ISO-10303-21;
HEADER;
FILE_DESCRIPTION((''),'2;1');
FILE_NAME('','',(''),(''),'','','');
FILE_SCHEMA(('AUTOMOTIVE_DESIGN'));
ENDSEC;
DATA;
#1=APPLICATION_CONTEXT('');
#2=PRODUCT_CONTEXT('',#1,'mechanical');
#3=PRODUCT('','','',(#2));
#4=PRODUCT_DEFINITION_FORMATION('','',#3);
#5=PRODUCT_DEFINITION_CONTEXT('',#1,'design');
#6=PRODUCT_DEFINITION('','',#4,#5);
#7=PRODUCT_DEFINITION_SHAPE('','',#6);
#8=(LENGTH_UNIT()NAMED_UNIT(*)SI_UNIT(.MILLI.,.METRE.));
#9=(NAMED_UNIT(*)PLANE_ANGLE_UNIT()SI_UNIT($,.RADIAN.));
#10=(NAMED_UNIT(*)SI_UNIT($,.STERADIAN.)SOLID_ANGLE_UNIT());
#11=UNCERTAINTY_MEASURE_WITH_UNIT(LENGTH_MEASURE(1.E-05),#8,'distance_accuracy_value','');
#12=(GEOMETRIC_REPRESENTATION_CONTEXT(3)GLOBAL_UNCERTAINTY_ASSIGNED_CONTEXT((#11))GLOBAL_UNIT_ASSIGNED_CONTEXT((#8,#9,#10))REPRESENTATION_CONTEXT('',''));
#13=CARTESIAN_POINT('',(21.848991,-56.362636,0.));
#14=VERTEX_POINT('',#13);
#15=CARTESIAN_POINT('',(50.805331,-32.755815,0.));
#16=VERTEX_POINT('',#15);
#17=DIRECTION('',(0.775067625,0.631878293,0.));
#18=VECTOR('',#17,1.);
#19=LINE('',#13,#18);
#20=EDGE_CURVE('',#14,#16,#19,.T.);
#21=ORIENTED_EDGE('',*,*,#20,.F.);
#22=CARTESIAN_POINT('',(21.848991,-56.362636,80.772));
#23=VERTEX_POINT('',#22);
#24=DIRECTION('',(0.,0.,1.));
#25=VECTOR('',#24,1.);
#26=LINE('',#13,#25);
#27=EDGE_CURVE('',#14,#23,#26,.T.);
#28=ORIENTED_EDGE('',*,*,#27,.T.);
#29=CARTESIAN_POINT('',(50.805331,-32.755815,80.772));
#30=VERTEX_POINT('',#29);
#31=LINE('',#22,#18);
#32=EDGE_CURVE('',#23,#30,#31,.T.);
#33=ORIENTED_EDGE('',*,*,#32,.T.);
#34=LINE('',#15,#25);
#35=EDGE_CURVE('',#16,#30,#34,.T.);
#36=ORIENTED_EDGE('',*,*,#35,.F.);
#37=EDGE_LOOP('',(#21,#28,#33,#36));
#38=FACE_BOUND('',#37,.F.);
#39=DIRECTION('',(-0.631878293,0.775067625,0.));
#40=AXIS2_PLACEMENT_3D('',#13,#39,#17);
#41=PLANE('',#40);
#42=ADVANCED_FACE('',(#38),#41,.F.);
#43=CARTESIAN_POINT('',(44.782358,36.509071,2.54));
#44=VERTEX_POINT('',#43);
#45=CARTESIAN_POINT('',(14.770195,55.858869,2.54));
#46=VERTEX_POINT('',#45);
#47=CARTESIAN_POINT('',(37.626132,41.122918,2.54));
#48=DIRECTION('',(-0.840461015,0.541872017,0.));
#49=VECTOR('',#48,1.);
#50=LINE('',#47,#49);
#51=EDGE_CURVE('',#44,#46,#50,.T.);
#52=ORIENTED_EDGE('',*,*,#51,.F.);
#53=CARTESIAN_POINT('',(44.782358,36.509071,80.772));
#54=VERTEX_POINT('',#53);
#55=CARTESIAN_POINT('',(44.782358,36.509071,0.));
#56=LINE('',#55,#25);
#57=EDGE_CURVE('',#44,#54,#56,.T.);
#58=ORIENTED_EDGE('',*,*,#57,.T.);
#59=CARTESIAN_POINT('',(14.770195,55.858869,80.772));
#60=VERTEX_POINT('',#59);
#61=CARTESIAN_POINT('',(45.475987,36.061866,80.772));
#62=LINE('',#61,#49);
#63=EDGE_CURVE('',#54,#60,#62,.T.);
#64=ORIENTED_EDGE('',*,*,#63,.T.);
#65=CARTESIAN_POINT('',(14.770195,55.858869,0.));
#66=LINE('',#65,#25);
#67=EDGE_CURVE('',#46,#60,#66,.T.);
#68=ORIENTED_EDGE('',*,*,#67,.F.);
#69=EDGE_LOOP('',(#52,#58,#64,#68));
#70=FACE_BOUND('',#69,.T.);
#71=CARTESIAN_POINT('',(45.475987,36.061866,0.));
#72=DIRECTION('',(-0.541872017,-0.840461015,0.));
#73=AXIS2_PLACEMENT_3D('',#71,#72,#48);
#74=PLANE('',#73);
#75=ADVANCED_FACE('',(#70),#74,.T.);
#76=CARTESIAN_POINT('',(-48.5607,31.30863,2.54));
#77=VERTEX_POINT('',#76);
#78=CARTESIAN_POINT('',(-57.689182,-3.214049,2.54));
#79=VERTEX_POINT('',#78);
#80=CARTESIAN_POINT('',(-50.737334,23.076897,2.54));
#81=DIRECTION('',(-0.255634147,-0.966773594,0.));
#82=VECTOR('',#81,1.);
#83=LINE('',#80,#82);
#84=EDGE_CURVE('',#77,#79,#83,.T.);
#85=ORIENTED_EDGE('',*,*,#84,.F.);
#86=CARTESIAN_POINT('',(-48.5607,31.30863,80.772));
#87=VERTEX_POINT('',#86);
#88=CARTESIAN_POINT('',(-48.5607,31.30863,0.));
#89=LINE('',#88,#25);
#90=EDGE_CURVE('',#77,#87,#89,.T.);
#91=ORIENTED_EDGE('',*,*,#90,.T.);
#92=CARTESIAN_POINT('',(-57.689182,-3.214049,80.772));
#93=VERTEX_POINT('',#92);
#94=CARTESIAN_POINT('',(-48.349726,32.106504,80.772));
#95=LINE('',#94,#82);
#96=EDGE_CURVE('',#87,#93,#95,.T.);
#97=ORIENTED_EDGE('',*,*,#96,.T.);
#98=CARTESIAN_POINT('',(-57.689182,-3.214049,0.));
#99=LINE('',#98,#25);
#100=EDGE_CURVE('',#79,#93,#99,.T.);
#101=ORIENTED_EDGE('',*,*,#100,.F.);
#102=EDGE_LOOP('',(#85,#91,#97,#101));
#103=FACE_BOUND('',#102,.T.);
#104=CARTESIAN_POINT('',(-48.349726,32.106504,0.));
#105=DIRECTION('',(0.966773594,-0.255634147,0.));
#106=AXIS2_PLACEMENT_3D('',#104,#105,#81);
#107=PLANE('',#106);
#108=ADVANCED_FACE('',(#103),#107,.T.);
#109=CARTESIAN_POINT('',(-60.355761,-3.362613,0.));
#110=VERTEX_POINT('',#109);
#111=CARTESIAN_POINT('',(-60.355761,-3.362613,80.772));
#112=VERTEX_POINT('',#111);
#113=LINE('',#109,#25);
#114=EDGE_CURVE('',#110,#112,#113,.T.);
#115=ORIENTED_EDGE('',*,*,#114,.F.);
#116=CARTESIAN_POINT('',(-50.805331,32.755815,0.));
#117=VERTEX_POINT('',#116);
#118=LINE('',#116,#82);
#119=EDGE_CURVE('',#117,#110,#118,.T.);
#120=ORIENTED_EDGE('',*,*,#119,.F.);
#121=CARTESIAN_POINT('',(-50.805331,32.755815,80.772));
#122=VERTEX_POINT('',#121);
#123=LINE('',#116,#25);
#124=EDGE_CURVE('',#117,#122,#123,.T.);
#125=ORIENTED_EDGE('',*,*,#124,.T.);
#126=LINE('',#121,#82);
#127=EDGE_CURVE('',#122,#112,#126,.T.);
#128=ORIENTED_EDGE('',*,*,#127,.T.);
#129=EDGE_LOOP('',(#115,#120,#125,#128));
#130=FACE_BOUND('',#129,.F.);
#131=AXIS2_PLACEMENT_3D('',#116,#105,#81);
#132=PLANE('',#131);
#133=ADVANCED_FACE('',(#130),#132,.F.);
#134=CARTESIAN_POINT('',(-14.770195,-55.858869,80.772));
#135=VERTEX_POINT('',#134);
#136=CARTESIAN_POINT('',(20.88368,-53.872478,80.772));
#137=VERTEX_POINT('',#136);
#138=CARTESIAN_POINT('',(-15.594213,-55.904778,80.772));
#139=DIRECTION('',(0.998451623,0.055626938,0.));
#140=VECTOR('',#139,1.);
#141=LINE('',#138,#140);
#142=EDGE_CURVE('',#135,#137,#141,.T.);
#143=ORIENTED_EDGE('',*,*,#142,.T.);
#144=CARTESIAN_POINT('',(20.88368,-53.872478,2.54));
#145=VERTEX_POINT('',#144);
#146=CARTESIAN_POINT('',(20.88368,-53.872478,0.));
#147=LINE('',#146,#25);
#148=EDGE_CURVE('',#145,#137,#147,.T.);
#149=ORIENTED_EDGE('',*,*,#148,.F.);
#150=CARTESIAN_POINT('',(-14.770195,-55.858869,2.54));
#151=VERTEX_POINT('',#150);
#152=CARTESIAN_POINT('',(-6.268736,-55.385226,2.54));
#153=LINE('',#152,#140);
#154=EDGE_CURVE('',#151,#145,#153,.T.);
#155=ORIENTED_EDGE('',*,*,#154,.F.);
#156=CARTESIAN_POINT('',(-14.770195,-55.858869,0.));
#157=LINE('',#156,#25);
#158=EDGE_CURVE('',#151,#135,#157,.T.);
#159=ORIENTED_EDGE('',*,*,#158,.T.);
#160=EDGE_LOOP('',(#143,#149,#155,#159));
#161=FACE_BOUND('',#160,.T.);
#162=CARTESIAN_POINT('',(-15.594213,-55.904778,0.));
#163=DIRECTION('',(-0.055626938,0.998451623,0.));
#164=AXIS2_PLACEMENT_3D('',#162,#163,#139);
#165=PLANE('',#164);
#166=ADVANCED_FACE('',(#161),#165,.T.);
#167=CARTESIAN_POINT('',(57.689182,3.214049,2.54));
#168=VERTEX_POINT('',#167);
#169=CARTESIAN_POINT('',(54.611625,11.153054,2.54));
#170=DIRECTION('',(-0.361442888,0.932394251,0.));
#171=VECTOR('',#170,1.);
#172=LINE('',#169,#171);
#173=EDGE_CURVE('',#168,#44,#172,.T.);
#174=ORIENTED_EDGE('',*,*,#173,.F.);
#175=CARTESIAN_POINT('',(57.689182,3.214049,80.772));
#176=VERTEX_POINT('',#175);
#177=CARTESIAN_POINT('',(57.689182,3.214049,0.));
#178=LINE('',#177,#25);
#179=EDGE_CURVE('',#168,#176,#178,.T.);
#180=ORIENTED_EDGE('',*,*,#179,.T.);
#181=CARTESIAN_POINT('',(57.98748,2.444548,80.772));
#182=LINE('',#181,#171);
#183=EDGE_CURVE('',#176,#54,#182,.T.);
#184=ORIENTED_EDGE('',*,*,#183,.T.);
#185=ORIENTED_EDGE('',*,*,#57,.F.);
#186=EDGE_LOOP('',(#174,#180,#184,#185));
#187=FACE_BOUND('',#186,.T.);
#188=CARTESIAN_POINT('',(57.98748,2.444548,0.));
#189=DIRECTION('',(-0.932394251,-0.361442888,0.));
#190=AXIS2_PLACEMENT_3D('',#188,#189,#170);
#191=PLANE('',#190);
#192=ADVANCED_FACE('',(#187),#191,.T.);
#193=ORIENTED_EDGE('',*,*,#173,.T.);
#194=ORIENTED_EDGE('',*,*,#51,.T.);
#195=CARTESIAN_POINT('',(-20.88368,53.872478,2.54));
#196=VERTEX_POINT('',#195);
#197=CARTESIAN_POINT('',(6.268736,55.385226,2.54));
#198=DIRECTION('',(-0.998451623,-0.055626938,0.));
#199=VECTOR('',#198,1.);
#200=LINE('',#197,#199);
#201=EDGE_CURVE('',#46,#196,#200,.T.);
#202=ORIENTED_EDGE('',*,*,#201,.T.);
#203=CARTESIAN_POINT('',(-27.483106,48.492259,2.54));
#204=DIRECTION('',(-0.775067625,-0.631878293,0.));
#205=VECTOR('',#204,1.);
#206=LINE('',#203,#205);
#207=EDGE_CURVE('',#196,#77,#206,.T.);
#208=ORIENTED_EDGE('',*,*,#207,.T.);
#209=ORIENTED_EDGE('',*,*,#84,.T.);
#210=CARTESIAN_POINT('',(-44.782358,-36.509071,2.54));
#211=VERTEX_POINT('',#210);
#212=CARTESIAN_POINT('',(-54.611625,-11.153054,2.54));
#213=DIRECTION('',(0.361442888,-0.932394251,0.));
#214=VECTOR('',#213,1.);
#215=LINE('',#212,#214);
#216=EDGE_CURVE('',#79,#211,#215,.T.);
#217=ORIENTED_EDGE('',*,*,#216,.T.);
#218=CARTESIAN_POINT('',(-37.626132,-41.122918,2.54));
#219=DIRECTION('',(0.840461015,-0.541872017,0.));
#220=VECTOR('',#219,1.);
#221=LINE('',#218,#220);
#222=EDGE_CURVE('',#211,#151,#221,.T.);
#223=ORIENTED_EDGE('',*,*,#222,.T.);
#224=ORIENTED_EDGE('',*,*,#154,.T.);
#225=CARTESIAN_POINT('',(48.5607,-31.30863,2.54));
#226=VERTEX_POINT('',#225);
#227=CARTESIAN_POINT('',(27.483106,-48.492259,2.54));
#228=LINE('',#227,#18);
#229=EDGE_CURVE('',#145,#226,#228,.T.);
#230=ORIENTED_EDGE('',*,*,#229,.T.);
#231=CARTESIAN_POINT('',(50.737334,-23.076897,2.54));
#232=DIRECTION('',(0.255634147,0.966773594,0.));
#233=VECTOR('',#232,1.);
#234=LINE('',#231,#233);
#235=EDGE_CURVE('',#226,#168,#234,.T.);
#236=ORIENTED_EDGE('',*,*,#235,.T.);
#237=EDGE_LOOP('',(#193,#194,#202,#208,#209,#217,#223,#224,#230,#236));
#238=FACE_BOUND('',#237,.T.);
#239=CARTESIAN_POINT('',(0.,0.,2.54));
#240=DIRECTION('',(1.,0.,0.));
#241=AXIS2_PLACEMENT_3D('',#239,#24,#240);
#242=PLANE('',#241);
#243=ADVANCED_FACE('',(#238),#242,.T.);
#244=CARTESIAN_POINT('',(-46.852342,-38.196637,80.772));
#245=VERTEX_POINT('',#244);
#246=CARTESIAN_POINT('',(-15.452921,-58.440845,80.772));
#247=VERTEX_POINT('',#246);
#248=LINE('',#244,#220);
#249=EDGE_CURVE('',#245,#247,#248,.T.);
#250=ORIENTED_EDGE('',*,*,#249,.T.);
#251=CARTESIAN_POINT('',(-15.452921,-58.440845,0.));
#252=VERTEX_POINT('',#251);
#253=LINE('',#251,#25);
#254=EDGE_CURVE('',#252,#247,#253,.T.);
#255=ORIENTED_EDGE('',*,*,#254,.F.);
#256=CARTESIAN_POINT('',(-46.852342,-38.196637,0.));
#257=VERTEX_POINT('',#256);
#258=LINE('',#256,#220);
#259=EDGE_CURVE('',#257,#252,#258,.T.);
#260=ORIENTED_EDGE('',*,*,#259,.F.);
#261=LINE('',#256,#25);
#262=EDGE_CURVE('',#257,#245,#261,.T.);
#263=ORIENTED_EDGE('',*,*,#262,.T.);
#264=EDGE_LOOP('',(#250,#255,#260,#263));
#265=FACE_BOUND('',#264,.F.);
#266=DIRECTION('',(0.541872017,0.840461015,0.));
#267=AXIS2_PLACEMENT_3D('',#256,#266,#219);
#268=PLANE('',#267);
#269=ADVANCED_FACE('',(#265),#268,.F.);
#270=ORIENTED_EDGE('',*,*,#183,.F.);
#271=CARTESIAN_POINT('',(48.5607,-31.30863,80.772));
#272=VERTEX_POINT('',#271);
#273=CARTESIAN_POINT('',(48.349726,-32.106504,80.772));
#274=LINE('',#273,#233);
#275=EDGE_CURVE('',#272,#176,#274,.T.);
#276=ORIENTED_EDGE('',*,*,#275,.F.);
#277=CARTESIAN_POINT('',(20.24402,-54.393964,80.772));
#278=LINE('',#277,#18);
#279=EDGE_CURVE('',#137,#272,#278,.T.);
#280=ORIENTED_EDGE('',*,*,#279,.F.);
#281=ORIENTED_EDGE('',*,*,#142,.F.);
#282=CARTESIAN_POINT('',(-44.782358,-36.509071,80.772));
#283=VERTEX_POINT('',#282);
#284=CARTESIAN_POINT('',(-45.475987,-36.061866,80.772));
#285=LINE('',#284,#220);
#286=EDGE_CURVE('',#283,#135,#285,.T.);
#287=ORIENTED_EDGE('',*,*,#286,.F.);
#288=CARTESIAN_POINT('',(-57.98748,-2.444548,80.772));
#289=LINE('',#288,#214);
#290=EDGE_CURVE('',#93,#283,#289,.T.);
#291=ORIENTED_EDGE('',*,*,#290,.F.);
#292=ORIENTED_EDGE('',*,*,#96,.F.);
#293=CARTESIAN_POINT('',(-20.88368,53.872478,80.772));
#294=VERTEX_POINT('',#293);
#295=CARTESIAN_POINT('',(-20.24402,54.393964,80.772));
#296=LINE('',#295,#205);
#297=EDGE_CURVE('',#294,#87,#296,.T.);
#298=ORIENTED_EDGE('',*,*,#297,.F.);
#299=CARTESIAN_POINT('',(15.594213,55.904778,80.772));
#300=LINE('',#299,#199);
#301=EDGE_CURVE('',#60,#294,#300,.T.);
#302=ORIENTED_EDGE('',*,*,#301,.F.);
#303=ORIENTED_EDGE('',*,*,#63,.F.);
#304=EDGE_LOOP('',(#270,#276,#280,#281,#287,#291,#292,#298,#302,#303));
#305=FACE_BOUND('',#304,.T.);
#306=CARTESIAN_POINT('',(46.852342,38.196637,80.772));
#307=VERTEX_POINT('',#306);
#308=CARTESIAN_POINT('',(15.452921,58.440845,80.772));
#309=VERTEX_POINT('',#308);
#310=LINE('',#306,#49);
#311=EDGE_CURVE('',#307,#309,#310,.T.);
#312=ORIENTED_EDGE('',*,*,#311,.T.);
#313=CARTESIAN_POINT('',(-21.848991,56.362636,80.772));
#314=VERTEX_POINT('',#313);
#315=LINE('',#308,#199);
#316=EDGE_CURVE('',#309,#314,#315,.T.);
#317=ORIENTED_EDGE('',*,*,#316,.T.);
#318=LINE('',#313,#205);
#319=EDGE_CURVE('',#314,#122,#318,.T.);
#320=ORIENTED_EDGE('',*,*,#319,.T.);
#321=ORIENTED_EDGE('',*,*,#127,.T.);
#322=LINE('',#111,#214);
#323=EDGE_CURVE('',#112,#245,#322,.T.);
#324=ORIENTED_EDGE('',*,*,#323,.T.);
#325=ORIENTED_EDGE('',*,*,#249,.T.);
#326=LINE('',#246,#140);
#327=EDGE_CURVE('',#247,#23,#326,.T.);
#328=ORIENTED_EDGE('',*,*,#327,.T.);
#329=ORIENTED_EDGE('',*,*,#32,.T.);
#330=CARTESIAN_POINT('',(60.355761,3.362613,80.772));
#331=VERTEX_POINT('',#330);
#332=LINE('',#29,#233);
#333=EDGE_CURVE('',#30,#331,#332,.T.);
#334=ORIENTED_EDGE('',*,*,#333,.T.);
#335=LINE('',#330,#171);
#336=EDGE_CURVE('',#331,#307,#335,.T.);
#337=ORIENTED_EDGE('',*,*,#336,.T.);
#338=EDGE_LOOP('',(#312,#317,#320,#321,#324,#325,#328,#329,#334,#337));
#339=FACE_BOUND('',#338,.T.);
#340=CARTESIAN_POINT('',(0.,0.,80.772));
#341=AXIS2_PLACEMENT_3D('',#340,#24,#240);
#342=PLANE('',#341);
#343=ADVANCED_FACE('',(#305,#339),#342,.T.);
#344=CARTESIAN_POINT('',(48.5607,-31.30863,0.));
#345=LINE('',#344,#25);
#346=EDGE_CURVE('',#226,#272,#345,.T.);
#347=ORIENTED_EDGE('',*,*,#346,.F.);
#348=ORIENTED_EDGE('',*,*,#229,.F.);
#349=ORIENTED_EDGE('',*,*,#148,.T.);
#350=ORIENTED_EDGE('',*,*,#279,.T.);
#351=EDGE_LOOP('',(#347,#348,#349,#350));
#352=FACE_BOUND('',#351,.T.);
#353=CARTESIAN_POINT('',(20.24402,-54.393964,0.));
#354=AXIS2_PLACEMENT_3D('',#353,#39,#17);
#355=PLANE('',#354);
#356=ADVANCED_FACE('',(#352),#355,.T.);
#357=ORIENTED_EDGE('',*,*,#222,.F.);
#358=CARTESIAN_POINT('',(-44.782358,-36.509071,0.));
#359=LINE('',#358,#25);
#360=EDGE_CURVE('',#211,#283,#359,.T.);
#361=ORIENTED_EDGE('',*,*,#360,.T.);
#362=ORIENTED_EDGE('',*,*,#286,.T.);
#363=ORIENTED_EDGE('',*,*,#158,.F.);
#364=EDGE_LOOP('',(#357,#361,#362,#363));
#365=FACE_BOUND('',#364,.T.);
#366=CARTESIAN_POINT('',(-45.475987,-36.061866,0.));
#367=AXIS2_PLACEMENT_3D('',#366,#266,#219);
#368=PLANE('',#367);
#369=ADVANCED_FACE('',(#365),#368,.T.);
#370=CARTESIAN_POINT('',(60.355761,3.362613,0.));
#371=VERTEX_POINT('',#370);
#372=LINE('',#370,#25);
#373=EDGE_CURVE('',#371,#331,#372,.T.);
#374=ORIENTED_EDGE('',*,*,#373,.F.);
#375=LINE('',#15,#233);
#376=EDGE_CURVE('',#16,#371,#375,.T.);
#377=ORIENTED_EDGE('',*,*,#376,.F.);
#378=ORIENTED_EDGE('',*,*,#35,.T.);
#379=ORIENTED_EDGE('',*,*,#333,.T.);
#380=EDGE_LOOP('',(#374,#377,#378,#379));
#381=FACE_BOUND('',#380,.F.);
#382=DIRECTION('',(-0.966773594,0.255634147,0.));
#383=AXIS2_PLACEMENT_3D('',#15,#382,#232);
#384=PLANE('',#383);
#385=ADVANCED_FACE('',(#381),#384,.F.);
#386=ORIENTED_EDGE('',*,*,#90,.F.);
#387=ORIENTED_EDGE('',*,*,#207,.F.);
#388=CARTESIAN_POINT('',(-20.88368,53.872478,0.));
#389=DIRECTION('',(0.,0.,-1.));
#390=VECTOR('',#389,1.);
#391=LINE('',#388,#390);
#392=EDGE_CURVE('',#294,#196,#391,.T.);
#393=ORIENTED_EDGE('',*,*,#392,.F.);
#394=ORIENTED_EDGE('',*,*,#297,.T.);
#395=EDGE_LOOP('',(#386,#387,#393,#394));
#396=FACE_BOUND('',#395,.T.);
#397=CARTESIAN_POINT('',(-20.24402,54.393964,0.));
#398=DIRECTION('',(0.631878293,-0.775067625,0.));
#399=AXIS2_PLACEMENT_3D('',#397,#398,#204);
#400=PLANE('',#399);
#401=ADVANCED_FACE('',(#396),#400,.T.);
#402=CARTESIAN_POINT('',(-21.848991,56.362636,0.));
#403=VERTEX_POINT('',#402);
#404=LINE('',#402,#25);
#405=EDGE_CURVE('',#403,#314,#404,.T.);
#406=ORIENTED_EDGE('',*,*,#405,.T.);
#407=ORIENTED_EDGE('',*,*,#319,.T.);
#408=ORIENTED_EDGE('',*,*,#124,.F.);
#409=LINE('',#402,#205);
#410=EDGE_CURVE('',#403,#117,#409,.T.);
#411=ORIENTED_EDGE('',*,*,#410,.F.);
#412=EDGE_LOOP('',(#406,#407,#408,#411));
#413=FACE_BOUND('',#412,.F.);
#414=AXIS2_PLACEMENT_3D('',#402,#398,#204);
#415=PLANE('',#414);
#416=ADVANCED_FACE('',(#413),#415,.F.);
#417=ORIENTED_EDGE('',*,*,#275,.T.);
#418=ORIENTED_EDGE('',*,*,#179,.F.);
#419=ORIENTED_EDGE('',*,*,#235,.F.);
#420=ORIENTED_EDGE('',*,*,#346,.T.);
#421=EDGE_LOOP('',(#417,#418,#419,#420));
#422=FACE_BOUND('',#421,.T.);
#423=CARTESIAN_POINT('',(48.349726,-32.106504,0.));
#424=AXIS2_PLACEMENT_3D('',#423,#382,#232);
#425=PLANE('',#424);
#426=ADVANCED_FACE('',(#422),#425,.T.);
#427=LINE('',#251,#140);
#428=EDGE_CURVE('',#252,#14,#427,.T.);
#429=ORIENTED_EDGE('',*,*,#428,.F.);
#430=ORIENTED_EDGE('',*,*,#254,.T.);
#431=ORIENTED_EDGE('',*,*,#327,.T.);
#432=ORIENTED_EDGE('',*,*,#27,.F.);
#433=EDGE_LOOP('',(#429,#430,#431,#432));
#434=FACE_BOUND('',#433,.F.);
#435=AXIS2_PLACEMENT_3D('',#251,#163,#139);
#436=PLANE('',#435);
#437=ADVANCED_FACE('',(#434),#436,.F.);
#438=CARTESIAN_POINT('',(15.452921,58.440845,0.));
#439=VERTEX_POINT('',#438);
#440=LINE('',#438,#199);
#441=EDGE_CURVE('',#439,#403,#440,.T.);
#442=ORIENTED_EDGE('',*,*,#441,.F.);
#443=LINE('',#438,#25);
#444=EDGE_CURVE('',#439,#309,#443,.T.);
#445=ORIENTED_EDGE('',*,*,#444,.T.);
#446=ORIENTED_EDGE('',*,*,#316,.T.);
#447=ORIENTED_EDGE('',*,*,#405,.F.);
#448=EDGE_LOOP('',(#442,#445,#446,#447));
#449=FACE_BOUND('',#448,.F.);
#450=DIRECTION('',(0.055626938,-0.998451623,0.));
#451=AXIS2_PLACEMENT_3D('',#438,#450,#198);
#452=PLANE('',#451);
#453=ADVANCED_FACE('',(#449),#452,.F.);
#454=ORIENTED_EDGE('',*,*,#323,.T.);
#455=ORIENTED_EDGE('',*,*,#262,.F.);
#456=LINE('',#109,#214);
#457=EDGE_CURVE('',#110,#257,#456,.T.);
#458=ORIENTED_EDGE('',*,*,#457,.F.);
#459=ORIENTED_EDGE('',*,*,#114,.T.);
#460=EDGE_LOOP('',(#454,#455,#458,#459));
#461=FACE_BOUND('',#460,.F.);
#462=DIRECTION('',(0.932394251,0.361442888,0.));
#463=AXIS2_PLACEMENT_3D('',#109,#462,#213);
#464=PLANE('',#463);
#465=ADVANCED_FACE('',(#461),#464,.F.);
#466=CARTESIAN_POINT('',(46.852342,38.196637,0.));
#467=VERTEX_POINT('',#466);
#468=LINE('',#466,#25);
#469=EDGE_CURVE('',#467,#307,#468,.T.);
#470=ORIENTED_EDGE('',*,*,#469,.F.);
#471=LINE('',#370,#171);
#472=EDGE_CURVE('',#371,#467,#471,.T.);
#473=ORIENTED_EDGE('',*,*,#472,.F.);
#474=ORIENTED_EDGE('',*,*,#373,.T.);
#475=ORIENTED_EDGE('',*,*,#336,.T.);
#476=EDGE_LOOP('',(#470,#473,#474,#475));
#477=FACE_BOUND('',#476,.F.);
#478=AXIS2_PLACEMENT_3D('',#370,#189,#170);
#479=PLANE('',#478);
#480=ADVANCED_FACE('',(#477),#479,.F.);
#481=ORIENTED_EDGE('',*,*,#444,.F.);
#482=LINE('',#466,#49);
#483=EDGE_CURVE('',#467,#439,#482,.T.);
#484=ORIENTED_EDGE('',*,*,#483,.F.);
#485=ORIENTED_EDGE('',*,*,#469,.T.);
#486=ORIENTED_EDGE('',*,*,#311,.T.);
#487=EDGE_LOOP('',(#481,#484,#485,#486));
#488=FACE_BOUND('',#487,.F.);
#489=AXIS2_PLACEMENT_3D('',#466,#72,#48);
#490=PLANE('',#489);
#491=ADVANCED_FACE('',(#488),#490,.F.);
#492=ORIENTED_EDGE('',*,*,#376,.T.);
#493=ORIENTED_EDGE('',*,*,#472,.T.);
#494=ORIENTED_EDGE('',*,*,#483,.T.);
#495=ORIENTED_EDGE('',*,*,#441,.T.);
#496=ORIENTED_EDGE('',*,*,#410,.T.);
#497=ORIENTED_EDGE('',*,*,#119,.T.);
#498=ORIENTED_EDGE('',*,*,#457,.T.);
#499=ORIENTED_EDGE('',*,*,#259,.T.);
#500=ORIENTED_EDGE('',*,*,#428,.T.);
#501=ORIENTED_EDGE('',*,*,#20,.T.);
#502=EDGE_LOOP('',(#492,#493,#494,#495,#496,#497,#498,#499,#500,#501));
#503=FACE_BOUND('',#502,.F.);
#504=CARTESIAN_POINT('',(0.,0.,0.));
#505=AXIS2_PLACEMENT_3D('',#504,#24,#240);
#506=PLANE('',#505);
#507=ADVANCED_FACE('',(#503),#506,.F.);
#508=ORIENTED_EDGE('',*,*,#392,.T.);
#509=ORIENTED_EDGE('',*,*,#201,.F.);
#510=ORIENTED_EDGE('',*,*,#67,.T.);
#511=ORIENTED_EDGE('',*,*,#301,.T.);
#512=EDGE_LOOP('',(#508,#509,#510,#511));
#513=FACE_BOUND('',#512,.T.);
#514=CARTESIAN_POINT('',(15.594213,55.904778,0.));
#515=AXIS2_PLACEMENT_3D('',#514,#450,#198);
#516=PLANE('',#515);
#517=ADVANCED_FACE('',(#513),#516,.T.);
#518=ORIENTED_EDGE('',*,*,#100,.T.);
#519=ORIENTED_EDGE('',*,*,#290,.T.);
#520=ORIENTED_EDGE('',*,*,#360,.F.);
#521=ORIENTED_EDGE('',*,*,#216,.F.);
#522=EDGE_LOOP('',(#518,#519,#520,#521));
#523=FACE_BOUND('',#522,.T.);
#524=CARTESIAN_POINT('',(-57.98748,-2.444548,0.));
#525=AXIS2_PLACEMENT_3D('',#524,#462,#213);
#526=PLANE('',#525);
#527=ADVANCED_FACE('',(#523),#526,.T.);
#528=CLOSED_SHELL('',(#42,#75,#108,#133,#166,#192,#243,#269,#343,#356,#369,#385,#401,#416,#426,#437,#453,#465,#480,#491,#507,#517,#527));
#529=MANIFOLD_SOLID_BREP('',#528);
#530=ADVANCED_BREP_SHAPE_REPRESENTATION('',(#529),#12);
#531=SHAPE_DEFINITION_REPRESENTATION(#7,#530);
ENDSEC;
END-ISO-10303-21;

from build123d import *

# Parameters (mm, degrees)
F1_DEPTH = 80.772
F2_T     = -2.54


with BuildPart() as f1:
    # F0 (on Top) → F1 (new body)
    with BuildSketch(Plane.XY):
        Polygon((-21.848991, 56.362636), (-50.805331, 32.755815), (-60.355761, -3.362613), (-46.852342, -38.196637), (-15.452921, -58.440845), (21.848991, -56.362636), (50.805331, -32.755815), (60.355761, 3.362613), (46.852342, 38.196637), (15.452921, 58.440845), align=None)
    extrude(amount=F1_DEPTH)

    # F2
    f2_openings = [f1.faces().sort_by_distance(p)[0] for p in [
        (0, 0, 80.772),
    ]]
    offset(amount=F2_T, openings=f2_openings)


solid = f1.part
